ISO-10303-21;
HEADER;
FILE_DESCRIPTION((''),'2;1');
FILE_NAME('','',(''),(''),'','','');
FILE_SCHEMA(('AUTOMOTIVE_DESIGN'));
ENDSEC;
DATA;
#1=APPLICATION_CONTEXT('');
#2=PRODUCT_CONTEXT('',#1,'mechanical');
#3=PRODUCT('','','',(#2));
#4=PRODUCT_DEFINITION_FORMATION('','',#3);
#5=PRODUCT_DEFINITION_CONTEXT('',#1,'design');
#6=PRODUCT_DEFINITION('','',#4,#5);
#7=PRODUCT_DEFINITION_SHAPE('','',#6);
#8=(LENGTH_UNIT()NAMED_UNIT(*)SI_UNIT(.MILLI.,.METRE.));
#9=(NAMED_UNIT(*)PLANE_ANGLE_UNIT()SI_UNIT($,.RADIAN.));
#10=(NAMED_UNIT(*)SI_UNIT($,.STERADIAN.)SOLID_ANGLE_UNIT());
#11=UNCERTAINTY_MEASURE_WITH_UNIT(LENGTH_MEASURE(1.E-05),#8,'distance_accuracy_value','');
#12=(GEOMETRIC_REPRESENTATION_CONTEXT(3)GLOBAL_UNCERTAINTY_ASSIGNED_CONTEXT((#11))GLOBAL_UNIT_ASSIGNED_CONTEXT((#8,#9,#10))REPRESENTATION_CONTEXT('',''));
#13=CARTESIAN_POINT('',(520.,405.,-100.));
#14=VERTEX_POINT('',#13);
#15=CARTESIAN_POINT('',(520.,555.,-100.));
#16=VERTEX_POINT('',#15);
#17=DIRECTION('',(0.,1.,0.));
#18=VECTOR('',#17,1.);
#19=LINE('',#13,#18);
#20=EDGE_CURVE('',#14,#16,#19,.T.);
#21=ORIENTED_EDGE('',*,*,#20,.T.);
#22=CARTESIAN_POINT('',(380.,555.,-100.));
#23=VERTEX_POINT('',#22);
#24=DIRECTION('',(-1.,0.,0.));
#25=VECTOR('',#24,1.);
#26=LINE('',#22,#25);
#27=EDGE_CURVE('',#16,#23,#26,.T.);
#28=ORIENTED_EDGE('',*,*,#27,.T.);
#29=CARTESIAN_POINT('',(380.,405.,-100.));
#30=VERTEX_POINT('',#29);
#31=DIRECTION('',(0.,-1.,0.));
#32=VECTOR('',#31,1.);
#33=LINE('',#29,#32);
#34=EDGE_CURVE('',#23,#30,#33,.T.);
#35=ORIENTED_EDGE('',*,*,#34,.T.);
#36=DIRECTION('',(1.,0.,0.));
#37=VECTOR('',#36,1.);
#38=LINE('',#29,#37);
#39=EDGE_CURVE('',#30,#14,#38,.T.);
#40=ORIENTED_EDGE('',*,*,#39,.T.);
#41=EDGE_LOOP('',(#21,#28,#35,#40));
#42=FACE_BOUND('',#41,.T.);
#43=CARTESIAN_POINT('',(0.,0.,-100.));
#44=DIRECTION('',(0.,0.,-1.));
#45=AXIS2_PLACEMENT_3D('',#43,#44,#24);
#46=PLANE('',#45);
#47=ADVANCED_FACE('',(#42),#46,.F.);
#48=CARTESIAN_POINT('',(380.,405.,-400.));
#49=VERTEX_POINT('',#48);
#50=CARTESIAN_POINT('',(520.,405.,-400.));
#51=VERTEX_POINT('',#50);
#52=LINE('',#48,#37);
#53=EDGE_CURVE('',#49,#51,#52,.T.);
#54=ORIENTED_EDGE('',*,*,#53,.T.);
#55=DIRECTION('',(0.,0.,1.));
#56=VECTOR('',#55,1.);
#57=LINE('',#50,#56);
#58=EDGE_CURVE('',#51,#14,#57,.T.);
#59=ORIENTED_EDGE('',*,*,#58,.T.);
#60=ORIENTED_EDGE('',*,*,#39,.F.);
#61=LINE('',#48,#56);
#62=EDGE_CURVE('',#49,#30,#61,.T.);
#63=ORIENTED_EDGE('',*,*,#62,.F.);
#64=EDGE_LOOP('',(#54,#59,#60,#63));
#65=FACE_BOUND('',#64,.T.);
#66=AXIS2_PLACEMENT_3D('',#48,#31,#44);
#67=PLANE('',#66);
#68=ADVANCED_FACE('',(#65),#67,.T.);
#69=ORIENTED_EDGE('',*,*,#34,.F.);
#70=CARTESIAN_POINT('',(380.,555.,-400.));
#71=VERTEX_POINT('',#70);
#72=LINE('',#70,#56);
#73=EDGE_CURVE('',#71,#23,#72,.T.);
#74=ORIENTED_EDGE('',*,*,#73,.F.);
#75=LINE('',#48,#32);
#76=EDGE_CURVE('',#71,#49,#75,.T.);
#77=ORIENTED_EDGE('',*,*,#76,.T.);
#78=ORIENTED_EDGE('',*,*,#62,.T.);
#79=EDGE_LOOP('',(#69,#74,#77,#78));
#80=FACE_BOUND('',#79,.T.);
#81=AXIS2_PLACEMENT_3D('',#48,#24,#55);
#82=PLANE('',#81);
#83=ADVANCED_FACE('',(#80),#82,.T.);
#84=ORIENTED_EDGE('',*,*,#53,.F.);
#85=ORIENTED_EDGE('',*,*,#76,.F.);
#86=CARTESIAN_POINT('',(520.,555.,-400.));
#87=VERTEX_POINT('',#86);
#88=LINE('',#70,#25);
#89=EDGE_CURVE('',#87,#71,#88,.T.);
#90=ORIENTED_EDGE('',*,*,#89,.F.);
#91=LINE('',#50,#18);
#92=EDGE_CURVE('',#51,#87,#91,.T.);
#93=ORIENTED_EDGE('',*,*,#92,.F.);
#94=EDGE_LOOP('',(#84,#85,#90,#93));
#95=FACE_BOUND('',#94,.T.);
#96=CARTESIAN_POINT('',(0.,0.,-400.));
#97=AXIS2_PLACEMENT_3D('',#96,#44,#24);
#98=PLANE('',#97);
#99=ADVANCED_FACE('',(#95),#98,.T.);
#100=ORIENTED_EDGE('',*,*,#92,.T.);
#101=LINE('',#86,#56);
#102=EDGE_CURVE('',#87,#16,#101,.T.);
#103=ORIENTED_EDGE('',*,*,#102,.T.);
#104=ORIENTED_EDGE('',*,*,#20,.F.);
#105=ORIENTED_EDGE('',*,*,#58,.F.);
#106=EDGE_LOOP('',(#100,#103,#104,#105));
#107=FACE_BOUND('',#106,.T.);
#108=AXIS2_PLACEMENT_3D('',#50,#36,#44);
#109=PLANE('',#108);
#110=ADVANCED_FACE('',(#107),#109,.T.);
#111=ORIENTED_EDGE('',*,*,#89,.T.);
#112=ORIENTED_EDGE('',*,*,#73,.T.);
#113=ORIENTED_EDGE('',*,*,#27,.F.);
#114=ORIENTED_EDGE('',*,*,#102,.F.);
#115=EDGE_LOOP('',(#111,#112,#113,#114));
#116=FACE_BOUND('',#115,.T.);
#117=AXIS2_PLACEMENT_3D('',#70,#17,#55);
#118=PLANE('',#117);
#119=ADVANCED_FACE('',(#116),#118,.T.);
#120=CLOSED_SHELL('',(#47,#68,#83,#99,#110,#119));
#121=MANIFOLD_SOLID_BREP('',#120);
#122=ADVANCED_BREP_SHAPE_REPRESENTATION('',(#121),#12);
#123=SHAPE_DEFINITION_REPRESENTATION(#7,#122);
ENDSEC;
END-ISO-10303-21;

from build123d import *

# Parameters (mm, degrees)
STORE_KLAPE_KASET_KATI_DONMUS_KAP_3_1_START = -100
SKETCH1_W                                   = 140
SKETCH1_H                                   = 150
STORE_KLAPE_KASET_KATI_DONMUS_KAP_3_1_DEPTH = 300


with BuildPart() as part:
    # Sketch1 → STORE_klape_kaset_kati_donmus_kap_3_1 (new body)
    with BuildSketch(Plane.XY.offset(STORE_KLAPE_KASET_KATI_DONMUS_KAP_3_1_START)):
        with Locations((450, 480)):
            Rectangle(SKETCH1_W, SKETCH1_H)
    extrude(amount=-STORE_KLAPE_KASET_KATI_DONMUS_KAP_3_1_DEPTH)


solid = part.part
